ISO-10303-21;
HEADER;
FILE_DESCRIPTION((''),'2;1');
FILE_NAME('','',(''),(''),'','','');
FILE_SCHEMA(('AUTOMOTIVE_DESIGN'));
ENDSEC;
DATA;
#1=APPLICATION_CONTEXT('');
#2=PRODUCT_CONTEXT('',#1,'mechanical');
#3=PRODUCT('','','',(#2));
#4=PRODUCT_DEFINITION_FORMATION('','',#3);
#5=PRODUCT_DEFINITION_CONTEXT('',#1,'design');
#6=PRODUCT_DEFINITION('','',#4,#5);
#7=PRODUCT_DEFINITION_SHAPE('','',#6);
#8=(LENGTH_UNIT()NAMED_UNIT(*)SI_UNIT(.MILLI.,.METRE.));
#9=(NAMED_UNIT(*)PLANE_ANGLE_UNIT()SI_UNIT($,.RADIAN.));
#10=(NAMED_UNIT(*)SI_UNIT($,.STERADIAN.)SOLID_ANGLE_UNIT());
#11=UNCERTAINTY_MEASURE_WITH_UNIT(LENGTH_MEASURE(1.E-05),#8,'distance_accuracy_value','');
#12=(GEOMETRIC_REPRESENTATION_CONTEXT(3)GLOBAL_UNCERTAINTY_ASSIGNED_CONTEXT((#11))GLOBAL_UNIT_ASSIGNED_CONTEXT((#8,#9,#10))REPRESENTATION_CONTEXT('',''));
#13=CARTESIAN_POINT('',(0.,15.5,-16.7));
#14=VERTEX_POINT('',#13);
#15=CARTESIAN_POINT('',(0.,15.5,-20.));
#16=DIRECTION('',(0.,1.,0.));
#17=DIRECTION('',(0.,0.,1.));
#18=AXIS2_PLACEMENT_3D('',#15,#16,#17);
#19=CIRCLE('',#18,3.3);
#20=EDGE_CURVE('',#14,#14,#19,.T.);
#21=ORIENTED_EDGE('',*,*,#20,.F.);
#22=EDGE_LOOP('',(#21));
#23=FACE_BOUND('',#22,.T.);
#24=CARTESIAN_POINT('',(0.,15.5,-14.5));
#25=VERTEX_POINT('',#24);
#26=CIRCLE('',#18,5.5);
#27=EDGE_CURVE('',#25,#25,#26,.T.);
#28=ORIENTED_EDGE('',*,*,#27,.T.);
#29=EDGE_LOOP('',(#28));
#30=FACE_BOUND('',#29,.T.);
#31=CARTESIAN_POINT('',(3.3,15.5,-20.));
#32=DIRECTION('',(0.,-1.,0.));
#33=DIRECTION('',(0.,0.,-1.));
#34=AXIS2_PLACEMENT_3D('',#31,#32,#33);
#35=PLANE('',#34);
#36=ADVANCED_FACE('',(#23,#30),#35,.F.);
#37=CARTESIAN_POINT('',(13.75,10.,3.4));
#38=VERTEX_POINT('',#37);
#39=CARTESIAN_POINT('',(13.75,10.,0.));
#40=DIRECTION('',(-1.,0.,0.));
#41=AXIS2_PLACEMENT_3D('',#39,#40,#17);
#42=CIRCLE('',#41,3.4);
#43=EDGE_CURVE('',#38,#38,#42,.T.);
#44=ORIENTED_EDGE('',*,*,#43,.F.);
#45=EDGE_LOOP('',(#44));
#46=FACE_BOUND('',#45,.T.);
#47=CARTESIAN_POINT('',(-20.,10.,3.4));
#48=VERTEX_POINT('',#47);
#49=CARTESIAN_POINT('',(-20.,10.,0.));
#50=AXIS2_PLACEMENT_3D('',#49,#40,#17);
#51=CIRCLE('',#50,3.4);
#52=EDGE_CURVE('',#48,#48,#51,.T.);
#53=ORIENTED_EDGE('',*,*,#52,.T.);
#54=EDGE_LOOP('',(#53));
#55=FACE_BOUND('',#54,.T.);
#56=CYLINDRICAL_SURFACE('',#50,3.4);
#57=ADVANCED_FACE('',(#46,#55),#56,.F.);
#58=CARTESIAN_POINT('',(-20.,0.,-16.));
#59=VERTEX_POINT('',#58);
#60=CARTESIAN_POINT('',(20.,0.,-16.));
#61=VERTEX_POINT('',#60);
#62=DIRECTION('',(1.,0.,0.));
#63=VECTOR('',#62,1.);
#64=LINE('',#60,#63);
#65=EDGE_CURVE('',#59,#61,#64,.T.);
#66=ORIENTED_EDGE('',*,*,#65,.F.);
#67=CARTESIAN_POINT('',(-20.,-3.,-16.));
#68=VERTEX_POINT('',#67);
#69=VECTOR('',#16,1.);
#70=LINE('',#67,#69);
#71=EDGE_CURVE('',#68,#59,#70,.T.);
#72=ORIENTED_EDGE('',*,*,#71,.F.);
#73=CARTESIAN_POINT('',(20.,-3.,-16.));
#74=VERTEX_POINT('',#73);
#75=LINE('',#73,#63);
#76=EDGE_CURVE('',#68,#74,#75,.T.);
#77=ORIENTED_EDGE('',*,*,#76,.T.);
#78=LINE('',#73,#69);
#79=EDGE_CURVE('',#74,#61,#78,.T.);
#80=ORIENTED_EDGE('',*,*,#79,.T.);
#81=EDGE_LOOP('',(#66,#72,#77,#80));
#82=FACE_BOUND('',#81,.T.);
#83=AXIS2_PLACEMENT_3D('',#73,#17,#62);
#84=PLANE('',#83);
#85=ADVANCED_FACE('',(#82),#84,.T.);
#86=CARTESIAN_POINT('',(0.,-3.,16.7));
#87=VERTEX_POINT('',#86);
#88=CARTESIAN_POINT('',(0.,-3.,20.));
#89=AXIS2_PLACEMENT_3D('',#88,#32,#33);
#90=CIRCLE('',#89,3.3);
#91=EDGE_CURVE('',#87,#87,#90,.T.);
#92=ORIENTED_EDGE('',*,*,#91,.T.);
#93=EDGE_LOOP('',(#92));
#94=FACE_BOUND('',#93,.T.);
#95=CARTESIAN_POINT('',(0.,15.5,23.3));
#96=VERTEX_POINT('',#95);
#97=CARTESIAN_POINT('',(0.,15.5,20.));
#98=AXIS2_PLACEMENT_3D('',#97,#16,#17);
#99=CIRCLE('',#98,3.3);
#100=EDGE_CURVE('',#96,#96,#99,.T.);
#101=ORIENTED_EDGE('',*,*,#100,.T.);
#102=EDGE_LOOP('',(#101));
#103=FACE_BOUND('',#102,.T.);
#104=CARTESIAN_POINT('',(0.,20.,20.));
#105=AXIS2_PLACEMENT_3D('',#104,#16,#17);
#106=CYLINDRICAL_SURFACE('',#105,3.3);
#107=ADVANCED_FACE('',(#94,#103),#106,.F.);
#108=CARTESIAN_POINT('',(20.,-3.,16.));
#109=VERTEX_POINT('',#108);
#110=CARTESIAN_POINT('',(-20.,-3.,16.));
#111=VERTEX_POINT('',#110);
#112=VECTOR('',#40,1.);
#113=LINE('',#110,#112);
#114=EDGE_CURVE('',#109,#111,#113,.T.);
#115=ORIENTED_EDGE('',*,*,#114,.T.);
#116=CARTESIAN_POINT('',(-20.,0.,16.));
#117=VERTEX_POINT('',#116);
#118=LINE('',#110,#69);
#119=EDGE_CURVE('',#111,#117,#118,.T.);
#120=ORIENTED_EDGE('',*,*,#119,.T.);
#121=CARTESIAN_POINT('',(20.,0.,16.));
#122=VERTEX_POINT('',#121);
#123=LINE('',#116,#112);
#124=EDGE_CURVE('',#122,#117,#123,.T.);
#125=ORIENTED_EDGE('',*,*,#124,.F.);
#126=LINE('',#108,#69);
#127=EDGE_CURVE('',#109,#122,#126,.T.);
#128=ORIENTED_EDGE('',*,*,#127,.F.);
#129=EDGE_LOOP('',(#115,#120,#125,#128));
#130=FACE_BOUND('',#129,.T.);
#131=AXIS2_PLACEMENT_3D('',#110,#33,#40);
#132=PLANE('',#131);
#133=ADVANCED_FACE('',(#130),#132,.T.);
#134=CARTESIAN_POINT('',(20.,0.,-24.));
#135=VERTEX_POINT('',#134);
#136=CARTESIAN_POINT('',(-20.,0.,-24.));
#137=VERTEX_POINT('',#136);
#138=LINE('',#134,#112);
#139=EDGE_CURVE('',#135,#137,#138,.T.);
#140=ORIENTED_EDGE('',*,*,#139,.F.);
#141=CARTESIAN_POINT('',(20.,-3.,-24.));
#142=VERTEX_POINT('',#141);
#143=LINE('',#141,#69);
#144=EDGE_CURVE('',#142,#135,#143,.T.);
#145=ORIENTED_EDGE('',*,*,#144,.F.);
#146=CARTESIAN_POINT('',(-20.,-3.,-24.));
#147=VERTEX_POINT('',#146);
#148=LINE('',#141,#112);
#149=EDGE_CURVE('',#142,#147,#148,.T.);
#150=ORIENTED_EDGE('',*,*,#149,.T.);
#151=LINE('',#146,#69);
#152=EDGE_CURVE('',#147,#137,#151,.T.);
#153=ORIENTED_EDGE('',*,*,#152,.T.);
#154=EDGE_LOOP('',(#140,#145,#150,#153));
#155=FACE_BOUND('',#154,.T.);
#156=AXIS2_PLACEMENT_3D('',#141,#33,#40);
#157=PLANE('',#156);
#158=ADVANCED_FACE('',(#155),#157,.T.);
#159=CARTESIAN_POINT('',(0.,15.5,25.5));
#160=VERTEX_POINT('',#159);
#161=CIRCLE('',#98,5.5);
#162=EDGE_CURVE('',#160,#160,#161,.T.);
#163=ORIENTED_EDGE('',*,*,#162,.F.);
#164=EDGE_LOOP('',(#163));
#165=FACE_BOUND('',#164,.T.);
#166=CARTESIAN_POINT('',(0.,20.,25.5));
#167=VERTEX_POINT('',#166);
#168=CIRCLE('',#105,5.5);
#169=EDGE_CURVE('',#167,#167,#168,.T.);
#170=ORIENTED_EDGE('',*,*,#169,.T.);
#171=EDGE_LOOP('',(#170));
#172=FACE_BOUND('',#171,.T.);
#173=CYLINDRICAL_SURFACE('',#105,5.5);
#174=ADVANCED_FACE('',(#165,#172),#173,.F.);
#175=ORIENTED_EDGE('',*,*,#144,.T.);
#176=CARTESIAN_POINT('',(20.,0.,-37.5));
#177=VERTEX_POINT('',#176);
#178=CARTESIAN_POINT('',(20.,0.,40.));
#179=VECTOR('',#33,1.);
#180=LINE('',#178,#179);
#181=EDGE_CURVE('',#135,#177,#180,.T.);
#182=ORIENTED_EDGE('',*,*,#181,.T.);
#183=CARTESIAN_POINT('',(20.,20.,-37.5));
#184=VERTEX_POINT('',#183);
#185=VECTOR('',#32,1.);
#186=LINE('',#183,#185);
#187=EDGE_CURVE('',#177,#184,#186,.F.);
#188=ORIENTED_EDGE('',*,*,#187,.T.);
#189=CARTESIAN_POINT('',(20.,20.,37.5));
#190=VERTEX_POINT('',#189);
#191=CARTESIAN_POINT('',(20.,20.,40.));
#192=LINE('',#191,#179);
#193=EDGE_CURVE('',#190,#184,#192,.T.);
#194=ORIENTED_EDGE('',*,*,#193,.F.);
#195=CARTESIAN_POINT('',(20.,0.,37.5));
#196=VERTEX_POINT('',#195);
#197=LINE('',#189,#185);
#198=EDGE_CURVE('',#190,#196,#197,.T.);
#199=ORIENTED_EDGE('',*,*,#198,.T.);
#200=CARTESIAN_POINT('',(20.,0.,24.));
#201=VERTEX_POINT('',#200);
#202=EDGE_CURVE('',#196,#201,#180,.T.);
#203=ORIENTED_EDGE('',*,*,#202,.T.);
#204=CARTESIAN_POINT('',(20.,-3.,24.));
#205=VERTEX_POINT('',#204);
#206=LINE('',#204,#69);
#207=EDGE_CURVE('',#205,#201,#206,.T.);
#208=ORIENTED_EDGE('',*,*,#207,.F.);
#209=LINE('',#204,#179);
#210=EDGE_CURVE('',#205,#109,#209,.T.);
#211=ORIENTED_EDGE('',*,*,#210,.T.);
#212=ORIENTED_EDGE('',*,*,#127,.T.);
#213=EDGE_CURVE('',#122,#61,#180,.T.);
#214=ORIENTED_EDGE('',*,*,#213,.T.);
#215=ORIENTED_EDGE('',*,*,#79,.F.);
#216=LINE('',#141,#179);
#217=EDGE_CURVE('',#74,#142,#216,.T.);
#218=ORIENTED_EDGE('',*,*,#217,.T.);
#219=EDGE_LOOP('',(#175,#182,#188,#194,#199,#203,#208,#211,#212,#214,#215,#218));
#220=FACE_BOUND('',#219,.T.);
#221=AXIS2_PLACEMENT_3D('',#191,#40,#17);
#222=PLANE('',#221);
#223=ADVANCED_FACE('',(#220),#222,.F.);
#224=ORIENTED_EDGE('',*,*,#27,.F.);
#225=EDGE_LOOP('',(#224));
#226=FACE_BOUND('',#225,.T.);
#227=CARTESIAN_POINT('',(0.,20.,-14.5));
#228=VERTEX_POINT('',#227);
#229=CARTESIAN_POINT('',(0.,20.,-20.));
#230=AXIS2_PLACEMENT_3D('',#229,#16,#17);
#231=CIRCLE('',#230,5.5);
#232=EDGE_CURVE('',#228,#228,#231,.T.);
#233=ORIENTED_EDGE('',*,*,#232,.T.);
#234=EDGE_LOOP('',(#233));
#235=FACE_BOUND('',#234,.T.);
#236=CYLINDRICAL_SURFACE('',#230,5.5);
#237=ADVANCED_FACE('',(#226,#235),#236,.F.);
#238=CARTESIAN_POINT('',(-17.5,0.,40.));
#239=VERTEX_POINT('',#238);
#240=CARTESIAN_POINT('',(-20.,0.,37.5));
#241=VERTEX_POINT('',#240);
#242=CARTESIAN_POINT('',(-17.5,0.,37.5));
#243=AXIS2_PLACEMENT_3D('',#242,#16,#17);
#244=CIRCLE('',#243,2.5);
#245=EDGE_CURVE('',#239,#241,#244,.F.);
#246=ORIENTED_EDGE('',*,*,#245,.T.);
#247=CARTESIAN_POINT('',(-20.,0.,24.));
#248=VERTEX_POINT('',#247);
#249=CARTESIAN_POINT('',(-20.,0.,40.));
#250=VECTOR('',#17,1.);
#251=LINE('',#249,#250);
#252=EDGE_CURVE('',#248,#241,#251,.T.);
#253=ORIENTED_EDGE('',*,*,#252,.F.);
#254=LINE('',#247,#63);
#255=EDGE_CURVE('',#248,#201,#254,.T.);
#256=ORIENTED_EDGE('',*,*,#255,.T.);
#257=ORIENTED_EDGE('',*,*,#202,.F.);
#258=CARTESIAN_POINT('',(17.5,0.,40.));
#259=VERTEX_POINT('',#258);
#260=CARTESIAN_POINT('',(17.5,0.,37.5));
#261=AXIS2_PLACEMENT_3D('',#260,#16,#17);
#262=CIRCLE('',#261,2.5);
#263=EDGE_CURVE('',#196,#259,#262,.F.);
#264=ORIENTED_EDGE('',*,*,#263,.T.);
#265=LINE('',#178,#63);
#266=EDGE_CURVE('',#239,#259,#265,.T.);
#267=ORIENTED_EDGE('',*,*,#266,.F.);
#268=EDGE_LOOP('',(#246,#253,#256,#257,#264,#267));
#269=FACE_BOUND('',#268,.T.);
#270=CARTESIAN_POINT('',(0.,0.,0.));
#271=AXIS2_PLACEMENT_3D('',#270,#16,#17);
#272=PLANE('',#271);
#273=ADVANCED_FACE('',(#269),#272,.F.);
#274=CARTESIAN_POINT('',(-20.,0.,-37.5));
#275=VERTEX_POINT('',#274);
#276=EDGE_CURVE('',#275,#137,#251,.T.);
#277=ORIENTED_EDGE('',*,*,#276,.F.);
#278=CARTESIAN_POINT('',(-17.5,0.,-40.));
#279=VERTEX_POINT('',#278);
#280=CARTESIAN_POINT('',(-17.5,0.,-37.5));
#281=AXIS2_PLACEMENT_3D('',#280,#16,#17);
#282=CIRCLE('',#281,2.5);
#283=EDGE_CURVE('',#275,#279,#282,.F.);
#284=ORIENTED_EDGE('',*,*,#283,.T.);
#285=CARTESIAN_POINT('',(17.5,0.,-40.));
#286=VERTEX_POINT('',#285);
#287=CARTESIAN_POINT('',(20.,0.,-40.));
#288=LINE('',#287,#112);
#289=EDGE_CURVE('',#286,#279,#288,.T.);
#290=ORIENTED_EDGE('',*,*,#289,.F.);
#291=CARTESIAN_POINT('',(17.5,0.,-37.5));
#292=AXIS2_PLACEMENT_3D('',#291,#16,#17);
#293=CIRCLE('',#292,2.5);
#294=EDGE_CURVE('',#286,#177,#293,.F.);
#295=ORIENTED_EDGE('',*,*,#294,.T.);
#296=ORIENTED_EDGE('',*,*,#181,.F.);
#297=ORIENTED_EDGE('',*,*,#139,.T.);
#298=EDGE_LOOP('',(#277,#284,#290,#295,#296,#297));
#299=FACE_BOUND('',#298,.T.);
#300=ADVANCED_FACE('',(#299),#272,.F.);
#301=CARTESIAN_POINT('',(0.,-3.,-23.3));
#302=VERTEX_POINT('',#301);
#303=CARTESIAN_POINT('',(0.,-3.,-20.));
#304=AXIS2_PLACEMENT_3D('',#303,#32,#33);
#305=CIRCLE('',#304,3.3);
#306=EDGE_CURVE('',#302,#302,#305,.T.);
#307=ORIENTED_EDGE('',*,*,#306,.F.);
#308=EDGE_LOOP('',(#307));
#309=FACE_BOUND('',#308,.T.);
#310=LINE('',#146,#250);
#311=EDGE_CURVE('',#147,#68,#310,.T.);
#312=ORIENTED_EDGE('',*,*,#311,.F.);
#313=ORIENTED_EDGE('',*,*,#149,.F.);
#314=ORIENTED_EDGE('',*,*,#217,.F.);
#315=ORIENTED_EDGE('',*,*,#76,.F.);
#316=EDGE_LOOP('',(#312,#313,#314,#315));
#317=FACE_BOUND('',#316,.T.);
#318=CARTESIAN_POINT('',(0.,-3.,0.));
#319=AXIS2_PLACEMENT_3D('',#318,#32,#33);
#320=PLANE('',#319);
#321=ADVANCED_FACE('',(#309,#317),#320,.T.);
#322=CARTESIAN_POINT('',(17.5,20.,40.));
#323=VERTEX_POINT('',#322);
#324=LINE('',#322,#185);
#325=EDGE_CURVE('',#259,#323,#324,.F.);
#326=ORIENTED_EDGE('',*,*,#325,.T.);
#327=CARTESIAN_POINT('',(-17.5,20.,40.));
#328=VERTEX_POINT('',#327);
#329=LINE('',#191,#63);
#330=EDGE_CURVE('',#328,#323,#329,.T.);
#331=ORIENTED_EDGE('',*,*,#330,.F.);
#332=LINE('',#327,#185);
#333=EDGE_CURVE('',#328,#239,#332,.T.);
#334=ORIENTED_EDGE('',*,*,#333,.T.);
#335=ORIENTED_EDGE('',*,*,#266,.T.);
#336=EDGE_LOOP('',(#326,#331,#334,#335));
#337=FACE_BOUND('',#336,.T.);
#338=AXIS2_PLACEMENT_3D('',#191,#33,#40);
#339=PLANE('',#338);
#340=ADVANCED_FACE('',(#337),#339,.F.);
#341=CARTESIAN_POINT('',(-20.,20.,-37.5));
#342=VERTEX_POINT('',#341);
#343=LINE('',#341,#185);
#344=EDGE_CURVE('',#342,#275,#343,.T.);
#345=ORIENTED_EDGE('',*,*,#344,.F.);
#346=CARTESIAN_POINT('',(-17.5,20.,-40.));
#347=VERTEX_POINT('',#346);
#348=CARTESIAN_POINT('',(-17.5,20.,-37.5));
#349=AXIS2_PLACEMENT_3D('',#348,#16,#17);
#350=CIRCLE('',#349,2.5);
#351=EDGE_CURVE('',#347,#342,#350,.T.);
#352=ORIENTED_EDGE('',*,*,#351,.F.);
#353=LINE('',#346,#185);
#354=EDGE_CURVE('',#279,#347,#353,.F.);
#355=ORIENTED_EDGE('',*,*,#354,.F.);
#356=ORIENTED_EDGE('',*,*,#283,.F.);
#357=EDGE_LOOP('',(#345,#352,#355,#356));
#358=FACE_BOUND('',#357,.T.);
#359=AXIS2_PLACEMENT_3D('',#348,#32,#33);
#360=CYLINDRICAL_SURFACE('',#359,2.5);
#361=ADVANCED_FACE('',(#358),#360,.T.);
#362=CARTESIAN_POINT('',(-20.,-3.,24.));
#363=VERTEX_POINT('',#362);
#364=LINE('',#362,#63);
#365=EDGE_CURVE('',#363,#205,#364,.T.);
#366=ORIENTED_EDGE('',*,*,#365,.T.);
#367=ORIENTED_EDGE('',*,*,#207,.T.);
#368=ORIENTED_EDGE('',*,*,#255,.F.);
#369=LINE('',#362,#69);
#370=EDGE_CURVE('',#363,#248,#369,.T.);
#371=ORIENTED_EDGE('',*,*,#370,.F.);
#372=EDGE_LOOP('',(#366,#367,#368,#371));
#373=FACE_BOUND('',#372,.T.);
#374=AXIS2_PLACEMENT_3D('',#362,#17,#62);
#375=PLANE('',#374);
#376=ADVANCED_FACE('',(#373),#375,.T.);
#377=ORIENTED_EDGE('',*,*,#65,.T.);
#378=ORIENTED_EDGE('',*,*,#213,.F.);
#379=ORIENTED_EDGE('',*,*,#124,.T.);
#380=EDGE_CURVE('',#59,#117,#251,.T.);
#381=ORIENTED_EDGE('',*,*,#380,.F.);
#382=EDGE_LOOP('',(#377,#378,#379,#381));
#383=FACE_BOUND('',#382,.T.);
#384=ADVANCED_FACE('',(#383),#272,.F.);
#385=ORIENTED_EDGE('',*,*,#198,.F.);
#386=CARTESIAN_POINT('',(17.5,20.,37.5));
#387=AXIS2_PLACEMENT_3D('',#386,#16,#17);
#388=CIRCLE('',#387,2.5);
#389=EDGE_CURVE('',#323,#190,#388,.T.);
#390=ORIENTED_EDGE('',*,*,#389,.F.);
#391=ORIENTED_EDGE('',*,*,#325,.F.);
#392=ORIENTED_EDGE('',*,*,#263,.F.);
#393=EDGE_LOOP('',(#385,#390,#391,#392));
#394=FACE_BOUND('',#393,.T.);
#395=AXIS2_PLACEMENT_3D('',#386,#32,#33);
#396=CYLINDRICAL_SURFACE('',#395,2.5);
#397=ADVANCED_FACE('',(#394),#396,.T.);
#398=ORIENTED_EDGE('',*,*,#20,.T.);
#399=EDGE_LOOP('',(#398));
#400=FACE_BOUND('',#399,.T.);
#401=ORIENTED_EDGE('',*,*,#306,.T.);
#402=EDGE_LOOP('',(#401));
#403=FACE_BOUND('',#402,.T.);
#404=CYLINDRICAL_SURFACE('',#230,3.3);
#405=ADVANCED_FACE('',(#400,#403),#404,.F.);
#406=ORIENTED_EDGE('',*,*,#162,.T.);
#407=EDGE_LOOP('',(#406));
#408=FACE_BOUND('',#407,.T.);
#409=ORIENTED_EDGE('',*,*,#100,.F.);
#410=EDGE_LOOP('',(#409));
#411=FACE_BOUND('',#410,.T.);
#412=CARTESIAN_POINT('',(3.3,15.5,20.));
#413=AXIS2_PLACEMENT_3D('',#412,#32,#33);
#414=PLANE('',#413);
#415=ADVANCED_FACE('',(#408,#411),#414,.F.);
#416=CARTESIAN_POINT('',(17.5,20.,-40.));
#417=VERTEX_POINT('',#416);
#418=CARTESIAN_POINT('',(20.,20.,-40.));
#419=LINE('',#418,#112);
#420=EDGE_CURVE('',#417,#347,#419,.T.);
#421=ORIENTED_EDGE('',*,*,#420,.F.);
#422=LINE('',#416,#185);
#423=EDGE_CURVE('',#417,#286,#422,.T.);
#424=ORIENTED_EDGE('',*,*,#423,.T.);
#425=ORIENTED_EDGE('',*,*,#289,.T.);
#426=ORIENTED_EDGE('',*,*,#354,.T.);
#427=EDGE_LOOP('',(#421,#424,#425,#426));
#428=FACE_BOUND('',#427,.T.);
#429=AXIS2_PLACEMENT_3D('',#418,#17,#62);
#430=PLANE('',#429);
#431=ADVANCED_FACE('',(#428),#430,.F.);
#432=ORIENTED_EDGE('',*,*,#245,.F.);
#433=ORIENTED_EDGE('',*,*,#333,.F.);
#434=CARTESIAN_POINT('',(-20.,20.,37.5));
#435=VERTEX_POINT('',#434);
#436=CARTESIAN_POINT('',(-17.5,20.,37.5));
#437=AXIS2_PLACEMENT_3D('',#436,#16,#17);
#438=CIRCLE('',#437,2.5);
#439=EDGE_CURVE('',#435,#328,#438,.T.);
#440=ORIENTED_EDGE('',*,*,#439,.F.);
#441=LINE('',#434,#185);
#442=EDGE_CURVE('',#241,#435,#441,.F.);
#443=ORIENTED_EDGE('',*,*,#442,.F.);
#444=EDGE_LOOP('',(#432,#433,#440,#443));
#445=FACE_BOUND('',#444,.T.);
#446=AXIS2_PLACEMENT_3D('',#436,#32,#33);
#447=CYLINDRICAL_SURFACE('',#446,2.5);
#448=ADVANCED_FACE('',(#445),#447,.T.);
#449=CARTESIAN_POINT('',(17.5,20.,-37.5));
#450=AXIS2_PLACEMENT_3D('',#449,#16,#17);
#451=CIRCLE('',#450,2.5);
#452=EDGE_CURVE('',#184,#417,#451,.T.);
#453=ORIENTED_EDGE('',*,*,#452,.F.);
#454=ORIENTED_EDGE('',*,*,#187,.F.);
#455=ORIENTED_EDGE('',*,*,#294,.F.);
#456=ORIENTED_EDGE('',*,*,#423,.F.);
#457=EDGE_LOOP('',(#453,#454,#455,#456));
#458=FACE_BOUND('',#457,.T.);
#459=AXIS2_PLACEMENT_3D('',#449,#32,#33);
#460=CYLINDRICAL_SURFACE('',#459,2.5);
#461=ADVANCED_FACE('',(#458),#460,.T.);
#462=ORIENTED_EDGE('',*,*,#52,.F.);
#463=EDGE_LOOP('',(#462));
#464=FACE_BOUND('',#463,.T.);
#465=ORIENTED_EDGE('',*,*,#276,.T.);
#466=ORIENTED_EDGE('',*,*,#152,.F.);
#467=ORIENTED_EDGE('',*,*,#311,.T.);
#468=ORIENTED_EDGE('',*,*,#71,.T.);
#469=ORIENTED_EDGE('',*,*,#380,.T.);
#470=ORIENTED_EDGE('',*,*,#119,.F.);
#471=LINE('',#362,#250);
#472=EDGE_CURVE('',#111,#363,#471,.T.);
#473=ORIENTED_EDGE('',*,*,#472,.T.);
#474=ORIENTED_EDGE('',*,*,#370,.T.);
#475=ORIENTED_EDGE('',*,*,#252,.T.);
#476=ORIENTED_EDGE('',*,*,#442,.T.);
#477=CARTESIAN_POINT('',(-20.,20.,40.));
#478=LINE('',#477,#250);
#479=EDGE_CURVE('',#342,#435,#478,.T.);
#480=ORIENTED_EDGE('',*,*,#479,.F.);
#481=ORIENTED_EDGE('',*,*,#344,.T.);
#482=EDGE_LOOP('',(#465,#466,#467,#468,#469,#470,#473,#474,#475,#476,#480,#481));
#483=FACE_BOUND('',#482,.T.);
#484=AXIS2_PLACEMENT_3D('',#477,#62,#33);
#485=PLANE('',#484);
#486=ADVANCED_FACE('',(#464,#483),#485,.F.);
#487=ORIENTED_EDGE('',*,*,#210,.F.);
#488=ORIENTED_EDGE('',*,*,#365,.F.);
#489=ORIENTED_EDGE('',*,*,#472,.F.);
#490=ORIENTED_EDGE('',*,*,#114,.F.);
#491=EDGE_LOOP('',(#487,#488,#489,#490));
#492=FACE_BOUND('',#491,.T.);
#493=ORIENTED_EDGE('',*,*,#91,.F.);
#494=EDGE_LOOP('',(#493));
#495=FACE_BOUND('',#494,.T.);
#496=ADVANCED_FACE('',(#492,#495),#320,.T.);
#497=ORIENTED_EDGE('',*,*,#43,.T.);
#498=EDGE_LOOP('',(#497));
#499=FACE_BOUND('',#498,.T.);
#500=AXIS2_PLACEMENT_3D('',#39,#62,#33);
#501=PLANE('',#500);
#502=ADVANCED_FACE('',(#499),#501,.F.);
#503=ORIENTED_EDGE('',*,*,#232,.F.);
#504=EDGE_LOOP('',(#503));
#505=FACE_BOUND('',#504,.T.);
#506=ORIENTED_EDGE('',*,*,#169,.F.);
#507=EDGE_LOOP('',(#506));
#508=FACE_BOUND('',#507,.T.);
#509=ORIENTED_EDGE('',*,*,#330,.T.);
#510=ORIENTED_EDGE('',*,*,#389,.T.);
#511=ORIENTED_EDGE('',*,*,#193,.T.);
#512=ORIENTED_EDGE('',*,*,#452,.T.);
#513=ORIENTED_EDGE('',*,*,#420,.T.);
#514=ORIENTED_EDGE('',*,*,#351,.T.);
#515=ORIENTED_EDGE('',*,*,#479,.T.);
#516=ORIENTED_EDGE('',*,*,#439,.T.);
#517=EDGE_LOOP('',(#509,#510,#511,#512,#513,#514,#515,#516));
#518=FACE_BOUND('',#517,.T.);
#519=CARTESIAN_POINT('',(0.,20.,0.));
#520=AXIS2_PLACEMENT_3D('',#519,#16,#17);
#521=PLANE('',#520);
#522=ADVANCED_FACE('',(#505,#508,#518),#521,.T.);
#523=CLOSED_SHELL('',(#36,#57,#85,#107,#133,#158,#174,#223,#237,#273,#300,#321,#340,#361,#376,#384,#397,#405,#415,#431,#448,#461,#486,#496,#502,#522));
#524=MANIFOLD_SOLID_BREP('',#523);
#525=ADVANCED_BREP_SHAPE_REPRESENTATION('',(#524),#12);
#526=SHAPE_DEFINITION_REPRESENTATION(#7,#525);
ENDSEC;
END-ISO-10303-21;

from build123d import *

# Parameters (mm, degrees)
SKETCH1_W                                            = 40
SKETCH1_H                                            = 80
BOSS_EXTRUDE1_DEPTH                                  = 20
SKETCH2_W                                            = 40
SKETCH2_H                                            = 8
BOSS_EXTRUDE2_DEPTH                                  = 3
CBORE_FOR_M6_HEX_SOCKET_THIN_HEAD_CAP_SC_D           = 6.6
CBORE_FOR_M6_HEX_SOCKET_THIN_HEAD_CAP_SC_DEPTH       = 24.5
CBORE_FOR_M6_HEX_SOCKET_THIN_HEAD_CAP_SC_CBORE_D     = 11
CBORE_FOR_M6_HEX_SOCKET_THIN_HEAD_CAP_SC_CBORE_DEPTH = 4.5
M8_TAPPED_HOLE1_D                                    = 6.8
M8_TAPPED_HOLE1_DEPTH                                = 33.75
FILLET1_R                                            = 2.5


with BuildPart() as part:
    # Sketch1 → Boss-Extrude1 (new body)
    with BuildSketch(Plane(origin=(0, 0, 0), x_dir=(1, 0, 0), z_dir=(0, 1, 0))):
        Rectangle(SKETCH1_W, SKETCH1_H)
    extrude(amount=BOSS_EXTRUDE1_DEPTH)

    # Sketch2 → Boss-Extrude2 (add)
    with BuildSketch(Plane(origin=(0, 0, 0), x_dir=(1, 0, 0), z_dir=(0, 1, 0))):
        with Locations((0, -20)):
            Rectangle(SKETCH2_W, SKETCH2_H)
        with Locations((0, 20)):
            Rectangle(SKETCH2_W, SKETCH2_H)
    extrude(amount=-BOSS_EXTRUDE2_DEPTH)

    # CBORE for M6 Hex Socket Thin Head Cap Screw1
    with Locations(Plane(origin=(0, 20, 0), x_dir=(1, 0, 0), z_dir=(0, 1, 0))):
        with Locations((0, -20), (0, 20)):
            CounterBoreHole(CBORE_FOR_M6_HEX_SOCKET_THIN_HEAD_CAP_SC_D / 2, CBORE_FOR_M6_HEX_SOCKET_THIN_HEAD_CAP_SC_CBORE_D / 2, CBORE_FOR_M6_HEX_SOCKET_THIN_HEAD_CAP_SC_CBORE_DEPTH, depth=CBORE_FOR_M6_HEX_SOCKET_THIN_HEAD_CAP_SC_DEPTH)

    # M8 Tapped Hole1
    with Locations(Plane.ZY.offset(20)):
        with Locations((0, 10)):
            Hole(M8_TAPPED_HOLE1_D / 2, depth=M8_TAPPED_HOLE1_DEPTH)

    # Fillet1
    fillet1_edges = [part.edges().sort_by_distance(p)[0] for p in [
        (-20, 10, -40),
        (20, 10, -40),
        (20, 10, 40),
        (-20, 10, 40),
    ]]
    fillet(fillet1_edges, radius=FILLET1_R)


solid = part.part
